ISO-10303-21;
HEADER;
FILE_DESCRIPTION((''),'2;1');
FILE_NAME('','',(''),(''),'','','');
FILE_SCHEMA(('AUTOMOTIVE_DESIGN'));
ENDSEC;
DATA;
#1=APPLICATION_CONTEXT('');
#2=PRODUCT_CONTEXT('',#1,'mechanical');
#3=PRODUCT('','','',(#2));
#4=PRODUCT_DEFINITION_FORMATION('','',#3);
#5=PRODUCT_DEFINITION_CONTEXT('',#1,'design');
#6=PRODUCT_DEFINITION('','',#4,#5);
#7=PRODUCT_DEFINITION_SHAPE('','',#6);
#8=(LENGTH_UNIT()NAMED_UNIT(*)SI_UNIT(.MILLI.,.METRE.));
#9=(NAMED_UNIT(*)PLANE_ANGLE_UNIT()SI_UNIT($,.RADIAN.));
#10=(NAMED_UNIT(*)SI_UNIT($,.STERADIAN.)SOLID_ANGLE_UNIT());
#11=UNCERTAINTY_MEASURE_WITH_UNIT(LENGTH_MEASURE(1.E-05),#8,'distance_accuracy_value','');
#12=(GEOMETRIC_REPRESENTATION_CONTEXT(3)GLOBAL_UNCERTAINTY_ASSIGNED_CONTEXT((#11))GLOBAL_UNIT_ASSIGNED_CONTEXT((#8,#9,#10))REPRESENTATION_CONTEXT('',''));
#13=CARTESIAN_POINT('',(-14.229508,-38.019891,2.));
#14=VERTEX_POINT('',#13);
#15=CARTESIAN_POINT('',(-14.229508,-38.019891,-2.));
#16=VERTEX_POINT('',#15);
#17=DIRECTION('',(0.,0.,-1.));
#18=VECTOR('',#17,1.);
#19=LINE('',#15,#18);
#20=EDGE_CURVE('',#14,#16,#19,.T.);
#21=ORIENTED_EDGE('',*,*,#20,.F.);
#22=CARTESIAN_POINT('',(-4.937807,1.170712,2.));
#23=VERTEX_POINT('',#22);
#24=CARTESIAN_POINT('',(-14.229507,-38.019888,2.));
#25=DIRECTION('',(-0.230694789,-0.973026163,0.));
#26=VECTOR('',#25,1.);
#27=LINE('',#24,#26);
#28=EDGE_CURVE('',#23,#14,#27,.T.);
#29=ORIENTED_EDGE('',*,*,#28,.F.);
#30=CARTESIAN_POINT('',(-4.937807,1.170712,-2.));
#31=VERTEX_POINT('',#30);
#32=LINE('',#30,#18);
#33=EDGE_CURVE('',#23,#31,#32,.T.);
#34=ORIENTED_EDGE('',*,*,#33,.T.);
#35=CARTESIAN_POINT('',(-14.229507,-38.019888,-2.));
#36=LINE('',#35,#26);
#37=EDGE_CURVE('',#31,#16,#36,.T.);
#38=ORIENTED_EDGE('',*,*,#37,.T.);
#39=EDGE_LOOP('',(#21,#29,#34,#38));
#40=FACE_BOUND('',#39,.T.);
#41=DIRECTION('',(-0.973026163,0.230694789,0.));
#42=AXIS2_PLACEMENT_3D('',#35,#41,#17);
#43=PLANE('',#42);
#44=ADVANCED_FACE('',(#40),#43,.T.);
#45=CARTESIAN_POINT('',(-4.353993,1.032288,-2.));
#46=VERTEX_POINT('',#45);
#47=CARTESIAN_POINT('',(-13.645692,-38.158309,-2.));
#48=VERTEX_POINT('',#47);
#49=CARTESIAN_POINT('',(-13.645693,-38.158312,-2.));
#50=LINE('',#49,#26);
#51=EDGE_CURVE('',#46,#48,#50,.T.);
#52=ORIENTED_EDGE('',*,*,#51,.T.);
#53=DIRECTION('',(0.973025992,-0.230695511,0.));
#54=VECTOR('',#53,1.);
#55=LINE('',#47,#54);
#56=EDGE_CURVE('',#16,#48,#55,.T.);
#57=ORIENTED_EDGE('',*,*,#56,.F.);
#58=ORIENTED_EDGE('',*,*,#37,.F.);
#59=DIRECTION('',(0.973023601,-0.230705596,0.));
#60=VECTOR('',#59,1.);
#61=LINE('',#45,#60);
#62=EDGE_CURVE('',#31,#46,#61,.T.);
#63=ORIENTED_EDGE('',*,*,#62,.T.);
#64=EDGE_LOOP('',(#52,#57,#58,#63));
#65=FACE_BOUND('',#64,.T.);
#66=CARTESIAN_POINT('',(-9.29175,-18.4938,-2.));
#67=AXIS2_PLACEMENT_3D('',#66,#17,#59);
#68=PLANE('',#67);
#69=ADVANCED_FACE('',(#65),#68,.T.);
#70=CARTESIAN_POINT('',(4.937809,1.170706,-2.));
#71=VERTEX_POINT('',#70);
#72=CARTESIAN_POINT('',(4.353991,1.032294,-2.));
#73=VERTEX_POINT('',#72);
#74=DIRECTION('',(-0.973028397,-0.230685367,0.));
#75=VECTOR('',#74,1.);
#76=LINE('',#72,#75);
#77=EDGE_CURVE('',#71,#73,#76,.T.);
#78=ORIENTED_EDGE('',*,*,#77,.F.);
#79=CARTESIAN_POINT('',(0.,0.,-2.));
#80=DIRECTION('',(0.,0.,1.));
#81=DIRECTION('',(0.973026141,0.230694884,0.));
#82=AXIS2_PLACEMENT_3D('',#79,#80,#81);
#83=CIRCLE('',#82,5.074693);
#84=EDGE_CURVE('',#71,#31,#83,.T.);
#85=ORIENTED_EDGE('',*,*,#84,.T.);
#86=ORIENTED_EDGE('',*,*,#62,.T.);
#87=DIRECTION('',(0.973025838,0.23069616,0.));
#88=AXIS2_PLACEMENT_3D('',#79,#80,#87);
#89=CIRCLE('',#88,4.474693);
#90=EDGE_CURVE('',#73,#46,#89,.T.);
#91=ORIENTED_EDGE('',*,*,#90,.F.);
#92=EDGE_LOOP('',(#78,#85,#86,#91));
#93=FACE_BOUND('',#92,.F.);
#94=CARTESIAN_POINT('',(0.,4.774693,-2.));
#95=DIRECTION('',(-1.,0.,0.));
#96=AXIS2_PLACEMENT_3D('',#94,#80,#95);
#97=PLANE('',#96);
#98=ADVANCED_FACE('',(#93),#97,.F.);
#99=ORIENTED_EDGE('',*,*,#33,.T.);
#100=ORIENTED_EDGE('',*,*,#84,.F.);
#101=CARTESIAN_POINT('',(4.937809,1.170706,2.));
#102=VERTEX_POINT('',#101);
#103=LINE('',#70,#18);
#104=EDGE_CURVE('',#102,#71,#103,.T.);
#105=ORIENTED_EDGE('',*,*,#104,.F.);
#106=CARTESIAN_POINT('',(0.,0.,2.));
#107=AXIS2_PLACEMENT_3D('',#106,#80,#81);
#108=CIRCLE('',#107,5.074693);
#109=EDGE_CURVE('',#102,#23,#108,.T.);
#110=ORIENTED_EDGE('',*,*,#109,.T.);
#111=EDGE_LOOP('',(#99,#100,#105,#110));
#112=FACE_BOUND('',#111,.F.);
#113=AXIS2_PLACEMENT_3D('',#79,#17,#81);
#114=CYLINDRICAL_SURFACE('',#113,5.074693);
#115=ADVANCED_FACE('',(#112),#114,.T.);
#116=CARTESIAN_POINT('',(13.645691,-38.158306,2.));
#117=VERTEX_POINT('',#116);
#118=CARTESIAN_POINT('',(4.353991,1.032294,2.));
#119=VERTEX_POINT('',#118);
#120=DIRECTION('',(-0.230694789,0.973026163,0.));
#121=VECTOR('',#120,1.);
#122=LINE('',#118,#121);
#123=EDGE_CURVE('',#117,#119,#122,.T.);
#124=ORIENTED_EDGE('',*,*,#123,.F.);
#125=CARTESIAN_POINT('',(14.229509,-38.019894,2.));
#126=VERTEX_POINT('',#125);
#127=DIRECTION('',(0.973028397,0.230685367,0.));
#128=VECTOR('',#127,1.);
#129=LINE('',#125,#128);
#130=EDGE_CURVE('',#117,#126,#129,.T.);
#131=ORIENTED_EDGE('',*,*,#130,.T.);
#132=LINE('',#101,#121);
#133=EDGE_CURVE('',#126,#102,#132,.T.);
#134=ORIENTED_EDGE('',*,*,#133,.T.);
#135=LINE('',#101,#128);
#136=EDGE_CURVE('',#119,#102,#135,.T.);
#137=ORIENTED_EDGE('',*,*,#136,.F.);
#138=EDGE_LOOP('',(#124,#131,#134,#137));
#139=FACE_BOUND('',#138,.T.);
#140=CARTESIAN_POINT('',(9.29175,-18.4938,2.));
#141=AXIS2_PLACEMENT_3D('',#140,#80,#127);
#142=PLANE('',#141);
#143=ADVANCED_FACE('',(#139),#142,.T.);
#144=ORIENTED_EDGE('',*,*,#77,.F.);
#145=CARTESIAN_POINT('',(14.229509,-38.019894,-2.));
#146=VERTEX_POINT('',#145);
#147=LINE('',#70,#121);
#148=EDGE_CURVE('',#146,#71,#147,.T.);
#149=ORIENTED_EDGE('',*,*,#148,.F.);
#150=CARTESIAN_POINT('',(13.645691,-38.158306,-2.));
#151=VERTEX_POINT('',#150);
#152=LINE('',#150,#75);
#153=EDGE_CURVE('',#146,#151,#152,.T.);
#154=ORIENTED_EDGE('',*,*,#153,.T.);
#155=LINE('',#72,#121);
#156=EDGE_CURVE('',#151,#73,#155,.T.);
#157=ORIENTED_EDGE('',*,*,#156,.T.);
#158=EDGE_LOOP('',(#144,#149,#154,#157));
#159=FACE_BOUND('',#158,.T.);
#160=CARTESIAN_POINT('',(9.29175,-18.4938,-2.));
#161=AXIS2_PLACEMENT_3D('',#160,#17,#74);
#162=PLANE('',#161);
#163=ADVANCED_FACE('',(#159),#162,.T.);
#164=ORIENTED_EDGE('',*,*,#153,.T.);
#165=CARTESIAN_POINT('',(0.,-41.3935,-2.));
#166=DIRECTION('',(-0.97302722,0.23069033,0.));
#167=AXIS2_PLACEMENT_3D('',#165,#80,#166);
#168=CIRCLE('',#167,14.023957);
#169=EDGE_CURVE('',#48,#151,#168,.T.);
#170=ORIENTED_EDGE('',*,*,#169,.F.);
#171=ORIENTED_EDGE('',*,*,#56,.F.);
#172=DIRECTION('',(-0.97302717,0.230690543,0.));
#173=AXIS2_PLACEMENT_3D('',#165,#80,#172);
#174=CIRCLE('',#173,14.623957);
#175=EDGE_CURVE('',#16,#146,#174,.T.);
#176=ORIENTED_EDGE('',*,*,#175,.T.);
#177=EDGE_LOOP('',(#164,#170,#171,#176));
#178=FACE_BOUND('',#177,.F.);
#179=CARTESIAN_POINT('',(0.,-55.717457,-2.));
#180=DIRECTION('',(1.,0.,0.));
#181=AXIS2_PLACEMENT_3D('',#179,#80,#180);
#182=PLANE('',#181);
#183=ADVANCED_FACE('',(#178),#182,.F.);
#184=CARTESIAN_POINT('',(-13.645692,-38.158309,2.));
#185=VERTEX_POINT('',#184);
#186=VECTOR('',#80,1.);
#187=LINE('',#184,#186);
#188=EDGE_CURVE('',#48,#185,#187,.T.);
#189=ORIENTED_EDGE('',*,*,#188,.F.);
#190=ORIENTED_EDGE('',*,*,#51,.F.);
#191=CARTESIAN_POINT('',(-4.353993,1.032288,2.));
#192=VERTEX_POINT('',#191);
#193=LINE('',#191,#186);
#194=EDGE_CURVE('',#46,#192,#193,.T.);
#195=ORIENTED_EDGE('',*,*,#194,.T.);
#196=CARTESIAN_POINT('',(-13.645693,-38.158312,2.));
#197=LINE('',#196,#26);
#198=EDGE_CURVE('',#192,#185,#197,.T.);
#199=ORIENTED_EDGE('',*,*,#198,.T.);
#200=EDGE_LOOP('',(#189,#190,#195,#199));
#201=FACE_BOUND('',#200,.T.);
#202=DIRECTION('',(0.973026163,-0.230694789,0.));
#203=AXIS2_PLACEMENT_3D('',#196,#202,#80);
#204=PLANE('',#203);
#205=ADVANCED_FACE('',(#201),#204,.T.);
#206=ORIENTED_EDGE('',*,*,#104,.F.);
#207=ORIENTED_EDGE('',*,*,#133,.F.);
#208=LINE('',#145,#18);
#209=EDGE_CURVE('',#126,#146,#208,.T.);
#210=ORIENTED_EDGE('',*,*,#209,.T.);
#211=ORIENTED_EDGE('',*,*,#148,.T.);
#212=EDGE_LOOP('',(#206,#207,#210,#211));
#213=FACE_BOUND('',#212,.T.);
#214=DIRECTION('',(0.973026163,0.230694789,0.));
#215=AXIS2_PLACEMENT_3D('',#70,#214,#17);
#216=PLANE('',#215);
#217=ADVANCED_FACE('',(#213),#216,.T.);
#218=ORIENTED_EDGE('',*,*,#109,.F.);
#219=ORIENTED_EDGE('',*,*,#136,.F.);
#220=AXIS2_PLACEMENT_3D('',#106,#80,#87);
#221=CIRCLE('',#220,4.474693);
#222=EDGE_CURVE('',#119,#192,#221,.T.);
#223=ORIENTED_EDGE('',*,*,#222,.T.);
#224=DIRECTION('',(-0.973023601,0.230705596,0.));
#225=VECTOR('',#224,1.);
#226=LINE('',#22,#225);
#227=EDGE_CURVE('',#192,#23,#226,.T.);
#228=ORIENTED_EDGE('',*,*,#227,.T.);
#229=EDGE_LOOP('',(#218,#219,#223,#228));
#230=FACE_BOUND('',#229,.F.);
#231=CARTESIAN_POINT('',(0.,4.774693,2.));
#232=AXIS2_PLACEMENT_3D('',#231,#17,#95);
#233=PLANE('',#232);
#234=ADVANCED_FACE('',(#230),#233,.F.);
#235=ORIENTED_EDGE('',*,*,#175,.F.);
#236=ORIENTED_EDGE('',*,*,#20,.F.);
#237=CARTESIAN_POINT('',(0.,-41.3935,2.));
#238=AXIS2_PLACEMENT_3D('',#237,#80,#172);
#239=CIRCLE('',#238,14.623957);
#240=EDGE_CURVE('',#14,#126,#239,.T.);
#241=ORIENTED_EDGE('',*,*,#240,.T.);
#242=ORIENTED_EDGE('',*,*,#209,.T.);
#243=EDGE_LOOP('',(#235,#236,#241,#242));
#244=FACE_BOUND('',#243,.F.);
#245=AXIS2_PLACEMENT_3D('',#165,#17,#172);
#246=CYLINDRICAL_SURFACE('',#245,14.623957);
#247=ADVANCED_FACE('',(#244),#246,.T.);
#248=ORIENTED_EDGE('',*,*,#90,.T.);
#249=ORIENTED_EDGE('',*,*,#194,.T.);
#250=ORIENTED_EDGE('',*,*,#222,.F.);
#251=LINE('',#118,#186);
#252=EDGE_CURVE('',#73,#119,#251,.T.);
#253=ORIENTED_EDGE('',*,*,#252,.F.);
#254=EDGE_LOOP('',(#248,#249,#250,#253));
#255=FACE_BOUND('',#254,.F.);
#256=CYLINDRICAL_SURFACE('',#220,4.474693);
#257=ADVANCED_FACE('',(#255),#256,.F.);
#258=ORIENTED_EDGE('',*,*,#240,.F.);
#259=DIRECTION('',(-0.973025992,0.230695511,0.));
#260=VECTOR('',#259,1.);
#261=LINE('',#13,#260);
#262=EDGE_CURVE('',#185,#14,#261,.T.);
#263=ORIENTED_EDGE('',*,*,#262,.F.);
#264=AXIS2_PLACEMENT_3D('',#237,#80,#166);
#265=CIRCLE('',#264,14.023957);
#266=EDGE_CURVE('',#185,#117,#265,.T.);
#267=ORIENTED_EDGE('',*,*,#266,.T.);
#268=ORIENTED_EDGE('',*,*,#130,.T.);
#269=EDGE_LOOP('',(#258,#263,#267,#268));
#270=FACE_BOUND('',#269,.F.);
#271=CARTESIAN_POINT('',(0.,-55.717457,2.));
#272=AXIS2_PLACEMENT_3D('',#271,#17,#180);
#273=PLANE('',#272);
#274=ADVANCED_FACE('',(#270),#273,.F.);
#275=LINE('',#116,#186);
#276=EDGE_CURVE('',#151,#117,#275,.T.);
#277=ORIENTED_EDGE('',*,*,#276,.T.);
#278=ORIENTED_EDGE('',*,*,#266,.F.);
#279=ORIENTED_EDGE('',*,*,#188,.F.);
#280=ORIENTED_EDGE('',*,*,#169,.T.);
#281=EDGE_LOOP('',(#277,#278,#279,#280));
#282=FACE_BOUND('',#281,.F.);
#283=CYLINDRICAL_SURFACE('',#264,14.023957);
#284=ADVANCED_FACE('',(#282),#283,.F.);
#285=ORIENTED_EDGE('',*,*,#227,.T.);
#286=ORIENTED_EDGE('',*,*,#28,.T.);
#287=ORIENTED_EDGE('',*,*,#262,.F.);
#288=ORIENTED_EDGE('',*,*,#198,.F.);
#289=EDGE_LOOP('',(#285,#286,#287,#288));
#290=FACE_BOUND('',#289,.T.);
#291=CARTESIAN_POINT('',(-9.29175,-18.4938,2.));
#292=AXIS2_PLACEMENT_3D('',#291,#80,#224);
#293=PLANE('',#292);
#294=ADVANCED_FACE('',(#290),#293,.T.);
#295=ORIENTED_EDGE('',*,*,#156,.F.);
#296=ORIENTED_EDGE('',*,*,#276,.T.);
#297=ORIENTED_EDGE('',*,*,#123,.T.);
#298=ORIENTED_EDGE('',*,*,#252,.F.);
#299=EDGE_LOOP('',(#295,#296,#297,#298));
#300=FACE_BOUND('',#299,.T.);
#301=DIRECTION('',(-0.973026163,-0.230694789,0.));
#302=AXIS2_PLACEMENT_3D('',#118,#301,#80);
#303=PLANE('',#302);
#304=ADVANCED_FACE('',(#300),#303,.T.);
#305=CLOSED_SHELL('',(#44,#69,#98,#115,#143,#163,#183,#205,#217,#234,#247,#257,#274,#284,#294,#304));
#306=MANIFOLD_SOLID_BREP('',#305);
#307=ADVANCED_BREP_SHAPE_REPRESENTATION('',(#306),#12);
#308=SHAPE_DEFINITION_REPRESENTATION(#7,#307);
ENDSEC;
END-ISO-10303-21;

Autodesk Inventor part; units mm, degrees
sketch "Sketch Path" plane through (0, 0, 0) normal (0, 0, 1) x (1, 0, 0)
  arc A0 (4.6459, 1.1015) -> (-4.6459, 1.1015) centre (0, 0) ccw
  arc A1 (-13.9376, -38.0891) -> (13.9376, -38.0891) centre (0, -41.3935) ccw
  line L0 (-13.9376, -38.0891) -> (-4.6459, 1.1015)
  line L1 (4.6459, 1.1015) -> (13.9376, -38.0891)
ref_plane "Cross Section Plane" through (-4.6459, 1.1015, 0) normal (-0.2307, -0.973, 0) x (0, 0, 1)
ref_plane "Work Plane2" through (0, 0, 0) normal (-1, 0, 0) x (0, 0, 1)
ref_plane "Work Plane3" through (0, -41.3935, 0) normal (-0.1736, 0.9848, 0) x (0, 0, 1)
sketch "Cross Section" plane through (-4.6459, 1.1015, 0) normal (-0.2307, -0.973, 0) x (0, 0, 1)
  line L0 (-2, 0.3) -> (2, 0.3)
  line L1 (2, 0.3) -> (2, -0.3)
  line L2 (2, -0.3) -> (-2, -0.3)
  line L3 (-2, -0.3) -> (-2, 0.3)
  line L4 (-2, 0) -> (2, 0) construction
  point P0 (0, 0)
  point P1 (0, 0)
  dimension "d0" = 4
  dimension "d4" = 0.3
  dimension "d5" = 0.3
sweep "Belt" add profiles "Cross Section" path "Sketch Path"
equation "\"d0\" = da_B"
equation "\"d4\" = da_a"
equation "\"d5\" = da_a2"
equation "\"da_B\" = 4"
equation "\"da_pb\" = 2.5"
equation "\"da_L\" = 145"
equation "\"da_a\" = 0.3"
equation "\"da_S\" = 1.5"
equation "\"da_Beta\" = 20deg"
equation "\"da_Ht\" = 0.7"
equation "\"da_H\" = 1.3"
equation "\"da_a2\" = 0.3"
properties part number "Synchronous Belt" material "Rubber"
